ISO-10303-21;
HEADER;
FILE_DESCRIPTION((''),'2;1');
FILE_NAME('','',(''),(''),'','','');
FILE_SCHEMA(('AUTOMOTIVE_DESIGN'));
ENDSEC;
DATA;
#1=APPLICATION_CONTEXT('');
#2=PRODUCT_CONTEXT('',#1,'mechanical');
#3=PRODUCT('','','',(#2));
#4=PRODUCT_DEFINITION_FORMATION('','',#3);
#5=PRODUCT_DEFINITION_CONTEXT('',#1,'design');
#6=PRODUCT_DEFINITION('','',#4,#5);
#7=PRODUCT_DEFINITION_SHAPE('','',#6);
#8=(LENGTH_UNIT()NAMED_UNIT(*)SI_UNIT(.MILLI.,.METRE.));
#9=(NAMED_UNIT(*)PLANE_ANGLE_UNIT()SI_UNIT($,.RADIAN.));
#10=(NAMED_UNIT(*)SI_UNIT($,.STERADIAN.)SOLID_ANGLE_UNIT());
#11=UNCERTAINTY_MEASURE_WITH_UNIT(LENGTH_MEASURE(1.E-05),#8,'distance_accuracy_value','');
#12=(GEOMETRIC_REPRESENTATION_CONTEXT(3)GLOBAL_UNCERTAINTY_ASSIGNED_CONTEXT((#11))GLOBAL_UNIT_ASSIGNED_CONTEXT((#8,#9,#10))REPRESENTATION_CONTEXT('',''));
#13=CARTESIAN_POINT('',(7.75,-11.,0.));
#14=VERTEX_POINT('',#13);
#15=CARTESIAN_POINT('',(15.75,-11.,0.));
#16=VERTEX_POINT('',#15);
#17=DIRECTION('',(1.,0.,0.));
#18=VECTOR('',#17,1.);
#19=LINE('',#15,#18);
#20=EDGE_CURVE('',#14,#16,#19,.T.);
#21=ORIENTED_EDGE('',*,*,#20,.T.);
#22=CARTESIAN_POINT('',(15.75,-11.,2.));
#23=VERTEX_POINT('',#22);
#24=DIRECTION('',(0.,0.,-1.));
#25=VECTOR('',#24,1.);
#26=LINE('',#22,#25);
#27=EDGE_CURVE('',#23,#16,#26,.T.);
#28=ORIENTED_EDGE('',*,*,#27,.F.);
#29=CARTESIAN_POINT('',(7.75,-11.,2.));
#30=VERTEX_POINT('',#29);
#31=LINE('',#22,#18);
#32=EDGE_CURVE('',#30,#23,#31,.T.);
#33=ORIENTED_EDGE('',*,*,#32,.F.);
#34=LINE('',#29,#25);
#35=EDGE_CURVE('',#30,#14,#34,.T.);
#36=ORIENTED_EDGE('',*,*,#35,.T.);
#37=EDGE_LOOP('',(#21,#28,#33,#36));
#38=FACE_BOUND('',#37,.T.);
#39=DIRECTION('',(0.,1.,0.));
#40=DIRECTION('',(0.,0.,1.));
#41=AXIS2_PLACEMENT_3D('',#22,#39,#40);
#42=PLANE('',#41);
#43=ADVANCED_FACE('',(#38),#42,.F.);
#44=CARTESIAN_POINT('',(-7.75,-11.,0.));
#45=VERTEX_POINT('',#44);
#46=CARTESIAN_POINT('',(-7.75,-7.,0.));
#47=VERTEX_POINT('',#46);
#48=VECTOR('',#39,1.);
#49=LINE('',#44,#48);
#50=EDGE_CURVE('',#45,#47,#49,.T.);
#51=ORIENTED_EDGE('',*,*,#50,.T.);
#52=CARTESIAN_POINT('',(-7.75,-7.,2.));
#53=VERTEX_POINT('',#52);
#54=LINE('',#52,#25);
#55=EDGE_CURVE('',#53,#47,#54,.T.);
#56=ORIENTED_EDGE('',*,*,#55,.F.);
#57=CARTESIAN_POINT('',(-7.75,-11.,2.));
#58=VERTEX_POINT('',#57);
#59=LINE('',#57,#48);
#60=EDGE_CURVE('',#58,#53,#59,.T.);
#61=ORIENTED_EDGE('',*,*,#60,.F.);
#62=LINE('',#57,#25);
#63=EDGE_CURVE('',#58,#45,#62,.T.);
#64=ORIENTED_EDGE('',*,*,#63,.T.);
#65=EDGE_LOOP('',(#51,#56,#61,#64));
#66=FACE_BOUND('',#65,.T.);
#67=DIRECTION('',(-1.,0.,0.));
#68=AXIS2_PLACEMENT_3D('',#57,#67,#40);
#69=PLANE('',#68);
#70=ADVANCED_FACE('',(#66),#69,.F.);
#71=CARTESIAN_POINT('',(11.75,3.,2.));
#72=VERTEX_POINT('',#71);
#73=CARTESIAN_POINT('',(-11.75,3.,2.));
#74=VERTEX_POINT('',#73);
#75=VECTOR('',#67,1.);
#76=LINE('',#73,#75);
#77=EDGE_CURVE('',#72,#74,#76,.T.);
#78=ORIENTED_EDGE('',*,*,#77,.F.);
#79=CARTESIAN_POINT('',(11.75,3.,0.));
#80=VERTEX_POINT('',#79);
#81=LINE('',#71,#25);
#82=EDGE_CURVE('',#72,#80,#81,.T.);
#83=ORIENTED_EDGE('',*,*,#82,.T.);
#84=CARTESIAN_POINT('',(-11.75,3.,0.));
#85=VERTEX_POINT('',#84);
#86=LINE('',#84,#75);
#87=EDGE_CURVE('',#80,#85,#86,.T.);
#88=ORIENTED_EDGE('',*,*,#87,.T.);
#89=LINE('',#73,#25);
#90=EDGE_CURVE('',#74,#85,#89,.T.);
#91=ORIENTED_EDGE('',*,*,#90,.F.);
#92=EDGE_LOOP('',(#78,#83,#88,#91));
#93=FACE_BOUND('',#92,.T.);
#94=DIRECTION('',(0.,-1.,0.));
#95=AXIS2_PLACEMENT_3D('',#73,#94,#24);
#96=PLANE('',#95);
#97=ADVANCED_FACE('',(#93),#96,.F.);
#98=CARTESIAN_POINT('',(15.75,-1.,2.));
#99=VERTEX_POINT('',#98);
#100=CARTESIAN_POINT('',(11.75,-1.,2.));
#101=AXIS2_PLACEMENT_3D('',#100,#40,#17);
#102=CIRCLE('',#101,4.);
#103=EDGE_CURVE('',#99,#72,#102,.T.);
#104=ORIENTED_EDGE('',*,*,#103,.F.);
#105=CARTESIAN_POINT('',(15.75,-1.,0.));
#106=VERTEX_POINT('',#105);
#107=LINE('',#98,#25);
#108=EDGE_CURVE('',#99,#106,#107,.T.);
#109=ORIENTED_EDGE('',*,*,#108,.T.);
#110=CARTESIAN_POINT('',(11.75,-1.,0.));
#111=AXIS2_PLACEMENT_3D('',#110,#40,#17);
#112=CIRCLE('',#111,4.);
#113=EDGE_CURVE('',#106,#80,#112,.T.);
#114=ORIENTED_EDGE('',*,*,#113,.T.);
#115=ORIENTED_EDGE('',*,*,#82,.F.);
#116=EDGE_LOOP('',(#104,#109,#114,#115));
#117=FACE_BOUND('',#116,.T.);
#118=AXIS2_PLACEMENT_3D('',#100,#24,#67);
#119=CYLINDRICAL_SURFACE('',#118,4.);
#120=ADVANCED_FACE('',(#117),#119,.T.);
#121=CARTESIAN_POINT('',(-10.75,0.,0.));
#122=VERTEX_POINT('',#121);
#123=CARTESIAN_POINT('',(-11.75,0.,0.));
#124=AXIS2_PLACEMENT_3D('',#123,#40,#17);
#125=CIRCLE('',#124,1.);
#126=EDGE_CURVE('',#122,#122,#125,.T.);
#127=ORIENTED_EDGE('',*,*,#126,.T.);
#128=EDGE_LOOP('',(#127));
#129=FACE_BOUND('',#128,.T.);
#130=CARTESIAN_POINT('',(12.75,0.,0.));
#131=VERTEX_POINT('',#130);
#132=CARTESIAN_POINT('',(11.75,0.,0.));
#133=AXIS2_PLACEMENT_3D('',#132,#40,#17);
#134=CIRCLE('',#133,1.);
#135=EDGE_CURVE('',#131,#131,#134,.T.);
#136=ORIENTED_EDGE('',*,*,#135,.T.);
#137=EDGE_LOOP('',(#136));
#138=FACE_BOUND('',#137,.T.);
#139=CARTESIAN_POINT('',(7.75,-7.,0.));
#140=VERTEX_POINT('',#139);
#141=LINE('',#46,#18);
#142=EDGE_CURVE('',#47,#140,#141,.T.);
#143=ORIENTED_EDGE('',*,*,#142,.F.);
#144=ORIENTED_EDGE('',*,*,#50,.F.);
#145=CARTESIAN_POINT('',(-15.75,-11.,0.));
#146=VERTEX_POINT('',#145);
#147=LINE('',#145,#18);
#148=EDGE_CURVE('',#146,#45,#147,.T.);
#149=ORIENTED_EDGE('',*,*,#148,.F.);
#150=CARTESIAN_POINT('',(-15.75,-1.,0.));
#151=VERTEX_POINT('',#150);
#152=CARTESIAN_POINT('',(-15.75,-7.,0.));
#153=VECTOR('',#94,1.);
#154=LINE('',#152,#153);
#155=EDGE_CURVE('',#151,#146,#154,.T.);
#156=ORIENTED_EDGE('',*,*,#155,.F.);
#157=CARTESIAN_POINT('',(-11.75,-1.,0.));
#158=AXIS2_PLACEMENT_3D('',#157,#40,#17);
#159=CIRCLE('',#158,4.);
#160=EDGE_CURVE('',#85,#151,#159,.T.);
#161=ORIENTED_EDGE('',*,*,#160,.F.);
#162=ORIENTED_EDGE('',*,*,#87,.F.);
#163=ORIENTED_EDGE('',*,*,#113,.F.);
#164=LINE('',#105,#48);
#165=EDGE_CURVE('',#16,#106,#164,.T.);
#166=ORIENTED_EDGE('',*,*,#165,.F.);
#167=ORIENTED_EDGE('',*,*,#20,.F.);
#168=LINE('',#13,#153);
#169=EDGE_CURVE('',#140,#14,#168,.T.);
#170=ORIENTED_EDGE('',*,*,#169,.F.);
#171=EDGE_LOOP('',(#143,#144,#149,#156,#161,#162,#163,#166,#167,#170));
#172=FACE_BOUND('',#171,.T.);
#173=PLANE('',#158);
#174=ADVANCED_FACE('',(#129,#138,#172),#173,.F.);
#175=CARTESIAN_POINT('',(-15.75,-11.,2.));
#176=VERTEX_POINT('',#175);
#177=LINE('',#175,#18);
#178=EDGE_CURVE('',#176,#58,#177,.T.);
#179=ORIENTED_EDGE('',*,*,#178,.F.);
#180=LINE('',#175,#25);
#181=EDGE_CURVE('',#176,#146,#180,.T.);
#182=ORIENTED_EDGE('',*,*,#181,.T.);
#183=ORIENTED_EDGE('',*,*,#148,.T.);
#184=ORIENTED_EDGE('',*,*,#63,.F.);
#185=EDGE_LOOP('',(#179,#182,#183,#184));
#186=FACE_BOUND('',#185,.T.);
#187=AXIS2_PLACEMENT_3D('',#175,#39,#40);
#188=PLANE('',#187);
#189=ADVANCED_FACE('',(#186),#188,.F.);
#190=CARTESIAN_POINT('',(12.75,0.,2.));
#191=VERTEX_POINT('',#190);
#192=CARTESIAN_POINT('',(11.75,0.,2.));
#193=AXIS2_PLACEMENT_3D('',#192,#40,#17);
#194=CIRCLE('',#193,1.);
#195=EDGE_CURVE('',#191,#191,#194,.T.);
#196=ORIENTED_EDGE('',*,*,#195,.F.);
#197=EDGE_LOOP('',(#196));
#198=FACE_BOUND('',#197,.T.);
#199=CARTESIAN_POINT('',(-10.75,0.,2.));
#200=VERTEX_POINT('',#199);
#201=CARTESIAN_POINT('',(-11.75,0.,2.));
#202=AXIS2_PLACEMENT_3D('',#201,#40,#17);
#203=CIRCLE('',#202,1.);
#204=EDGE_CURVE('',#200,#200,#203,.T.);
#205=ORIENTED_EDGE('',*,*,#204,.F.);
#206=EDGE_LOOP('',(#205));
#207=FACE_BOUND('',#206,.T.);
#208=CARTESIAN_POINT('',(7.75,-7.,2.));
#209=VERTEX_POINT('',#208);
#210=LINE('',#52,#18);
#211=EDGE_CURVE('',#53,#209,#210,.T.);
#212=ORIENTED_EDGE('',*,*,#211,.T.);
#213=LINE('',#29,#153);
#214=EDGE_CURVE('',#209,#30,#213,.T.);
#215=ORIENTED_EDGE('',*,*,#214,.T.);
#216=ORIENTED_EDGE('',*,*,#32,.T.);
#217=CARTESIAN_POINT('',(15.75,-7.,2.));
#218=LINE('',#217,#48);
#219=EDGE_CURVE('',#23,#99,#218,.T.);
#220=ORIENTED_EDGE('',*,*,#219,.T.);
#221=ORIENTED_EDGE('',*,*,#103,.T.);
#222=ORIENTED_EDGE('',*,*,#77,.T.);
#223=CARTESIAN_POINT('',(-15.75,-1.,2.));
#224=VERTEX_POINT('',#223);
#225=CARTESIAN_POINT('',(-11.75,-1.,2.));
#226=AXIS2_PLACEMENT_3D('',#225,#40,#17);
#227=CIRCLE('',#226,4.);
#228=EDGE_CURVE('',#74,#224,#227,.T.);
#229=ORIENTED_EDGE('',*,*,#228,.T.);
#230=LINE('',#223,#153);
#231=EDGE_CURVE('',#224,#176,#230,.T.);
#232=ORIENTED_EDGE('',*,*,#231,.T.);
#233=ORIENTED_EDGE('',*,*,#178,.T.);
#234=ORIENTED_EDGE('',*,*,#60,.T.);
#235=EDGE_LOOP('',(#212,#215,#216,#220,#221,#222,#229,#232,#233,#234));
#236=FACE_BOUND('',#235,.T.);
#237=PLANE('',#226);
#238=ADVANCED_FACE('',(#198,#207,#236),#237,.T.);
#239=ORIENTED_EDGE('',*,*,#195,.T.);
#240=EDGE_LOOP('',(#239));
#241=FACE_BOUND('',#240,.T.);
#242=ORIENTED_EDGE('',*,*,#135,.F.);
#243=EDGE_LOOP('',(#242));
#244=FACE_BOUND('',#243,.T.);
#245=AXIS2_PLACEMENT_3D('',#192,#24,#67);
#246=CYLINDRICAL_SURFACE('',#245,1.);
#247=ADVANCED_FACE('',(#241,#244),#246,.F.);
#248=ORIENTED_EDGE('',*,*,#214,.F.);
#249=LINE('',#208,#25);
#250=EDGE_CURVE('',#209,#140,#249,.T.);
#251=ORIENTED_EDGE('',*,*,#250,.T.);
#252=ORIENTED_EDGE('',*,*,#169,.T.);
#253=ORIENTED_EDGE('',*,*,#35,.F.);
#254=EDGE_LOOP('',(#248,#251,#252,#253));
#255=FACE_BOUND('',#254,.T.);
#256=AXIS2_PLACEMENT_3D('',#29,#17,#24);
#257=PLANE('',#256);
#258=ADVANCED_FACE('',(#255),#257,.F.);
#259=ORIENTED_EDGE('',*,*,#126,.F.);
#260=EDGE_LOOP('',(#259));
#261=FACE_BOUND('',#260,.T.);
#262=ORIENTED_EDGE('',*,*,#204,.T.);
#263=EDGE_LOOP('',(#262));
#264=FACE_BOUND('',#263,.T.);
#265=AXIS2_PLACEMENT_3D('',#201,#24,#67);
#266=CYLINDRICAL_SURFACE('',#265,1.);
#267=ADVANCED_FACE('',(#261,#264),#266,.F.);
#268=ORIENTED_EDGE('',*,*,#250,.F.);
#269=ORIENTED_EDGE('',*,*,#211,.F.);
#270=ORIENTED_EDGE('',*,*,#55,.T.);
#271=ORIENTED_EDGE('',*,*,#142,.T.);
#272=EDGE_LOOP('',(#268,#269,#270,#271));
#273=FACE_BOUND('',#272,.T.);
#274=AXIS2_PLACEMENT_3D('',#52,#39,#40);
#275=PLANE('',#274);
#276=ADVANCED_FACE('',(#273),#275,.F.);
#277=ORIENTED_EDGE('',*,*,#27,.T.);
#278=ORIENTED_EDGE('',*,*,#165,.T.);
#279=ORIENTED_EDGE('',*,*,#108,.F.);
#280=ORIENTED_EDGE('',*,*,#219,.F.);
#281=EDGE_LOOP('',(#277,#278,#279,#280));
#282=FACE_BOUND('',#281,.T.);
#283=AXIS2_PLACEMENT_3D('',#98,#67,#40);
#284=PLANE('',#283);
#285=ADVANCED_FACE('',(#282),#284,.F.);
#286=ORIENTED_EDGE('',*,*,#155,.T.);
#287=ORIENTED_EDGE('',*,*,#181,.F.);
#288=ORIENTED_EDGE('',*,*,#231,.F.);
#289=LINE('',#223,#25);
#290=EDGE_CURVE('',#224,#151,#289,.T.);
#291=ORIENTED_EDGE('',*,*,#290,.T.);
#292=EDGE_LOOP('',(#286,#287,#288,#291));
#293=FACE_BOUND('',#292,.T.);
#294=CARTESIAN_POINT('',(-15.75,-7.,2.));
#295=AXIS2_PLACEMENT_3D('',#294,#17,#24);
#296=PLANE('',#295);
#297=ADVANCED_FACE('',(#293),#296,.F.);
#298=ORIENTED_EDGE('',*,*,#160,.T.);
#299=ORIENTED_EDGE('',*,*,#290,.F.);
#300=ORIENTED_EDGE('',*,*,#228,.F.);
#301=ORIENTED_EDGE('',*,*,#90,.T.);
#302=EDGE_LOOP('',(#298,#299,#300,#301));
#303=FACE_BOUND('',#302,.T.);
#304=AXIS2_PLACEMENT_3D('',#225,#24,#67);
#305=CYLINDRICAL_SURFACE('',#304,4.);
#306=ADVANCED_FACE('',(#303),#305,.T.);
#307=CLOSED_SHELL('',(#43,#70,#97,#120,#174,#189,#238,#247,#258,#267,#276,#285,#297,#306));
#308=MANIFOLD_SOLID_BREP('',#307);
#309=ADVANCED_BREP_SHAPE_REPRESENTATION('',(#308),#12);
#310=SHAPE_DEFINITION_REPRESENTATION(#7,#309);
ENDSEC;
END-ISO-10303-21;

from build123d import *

# Parameters (mm, degrees)
SKETCH1_R           = 1
BOSS_EXTRUDE1_DEPTH = 2


with BuildPart() as part:
    # Sketch1 → Boss-Extrude1 (new body)
    with BuildSketch(Plane.XY):
        with BuildLine():
            Line((-15.75, -7), (-15.75, -11))
            Line((-15.75, -11), (-7.75, -11))
            Line((-7.75, -11), (-7.75, -7))
            Line((-7.75, -7), (7.75, -7))
            Line((7.75, -7), (7.75, -11))
            Line((7.75, -11), (15.75, -11))
            Line((15.75, -11), (15.75, -7))
            Line((15.75, -7), (15.75, -1))
            ThreePointArc((15.75, -1), (14.578427125, 1.828427125), (11.75, 3))
            Line((11.75, 3), (-11.75, 3))
            ThreePointArc((-11.75, 3), (-14.578427125, 1.828427125), (-15.75, -1))
            Line((-15.75, -1), (-15.75, -7))
        make_face()
        with Locations((-11.75, 0)):
            Circle(SKETCH1_R, mode=Mode.SUBTRACT)
        with Locations((11.75, 0)):
            Circle(SKETCH1_R, mode=Mode.SUBTRACT)
    extrude(amount=BOSS_EXTRUDE1_DEPTH)


solid = part.part
